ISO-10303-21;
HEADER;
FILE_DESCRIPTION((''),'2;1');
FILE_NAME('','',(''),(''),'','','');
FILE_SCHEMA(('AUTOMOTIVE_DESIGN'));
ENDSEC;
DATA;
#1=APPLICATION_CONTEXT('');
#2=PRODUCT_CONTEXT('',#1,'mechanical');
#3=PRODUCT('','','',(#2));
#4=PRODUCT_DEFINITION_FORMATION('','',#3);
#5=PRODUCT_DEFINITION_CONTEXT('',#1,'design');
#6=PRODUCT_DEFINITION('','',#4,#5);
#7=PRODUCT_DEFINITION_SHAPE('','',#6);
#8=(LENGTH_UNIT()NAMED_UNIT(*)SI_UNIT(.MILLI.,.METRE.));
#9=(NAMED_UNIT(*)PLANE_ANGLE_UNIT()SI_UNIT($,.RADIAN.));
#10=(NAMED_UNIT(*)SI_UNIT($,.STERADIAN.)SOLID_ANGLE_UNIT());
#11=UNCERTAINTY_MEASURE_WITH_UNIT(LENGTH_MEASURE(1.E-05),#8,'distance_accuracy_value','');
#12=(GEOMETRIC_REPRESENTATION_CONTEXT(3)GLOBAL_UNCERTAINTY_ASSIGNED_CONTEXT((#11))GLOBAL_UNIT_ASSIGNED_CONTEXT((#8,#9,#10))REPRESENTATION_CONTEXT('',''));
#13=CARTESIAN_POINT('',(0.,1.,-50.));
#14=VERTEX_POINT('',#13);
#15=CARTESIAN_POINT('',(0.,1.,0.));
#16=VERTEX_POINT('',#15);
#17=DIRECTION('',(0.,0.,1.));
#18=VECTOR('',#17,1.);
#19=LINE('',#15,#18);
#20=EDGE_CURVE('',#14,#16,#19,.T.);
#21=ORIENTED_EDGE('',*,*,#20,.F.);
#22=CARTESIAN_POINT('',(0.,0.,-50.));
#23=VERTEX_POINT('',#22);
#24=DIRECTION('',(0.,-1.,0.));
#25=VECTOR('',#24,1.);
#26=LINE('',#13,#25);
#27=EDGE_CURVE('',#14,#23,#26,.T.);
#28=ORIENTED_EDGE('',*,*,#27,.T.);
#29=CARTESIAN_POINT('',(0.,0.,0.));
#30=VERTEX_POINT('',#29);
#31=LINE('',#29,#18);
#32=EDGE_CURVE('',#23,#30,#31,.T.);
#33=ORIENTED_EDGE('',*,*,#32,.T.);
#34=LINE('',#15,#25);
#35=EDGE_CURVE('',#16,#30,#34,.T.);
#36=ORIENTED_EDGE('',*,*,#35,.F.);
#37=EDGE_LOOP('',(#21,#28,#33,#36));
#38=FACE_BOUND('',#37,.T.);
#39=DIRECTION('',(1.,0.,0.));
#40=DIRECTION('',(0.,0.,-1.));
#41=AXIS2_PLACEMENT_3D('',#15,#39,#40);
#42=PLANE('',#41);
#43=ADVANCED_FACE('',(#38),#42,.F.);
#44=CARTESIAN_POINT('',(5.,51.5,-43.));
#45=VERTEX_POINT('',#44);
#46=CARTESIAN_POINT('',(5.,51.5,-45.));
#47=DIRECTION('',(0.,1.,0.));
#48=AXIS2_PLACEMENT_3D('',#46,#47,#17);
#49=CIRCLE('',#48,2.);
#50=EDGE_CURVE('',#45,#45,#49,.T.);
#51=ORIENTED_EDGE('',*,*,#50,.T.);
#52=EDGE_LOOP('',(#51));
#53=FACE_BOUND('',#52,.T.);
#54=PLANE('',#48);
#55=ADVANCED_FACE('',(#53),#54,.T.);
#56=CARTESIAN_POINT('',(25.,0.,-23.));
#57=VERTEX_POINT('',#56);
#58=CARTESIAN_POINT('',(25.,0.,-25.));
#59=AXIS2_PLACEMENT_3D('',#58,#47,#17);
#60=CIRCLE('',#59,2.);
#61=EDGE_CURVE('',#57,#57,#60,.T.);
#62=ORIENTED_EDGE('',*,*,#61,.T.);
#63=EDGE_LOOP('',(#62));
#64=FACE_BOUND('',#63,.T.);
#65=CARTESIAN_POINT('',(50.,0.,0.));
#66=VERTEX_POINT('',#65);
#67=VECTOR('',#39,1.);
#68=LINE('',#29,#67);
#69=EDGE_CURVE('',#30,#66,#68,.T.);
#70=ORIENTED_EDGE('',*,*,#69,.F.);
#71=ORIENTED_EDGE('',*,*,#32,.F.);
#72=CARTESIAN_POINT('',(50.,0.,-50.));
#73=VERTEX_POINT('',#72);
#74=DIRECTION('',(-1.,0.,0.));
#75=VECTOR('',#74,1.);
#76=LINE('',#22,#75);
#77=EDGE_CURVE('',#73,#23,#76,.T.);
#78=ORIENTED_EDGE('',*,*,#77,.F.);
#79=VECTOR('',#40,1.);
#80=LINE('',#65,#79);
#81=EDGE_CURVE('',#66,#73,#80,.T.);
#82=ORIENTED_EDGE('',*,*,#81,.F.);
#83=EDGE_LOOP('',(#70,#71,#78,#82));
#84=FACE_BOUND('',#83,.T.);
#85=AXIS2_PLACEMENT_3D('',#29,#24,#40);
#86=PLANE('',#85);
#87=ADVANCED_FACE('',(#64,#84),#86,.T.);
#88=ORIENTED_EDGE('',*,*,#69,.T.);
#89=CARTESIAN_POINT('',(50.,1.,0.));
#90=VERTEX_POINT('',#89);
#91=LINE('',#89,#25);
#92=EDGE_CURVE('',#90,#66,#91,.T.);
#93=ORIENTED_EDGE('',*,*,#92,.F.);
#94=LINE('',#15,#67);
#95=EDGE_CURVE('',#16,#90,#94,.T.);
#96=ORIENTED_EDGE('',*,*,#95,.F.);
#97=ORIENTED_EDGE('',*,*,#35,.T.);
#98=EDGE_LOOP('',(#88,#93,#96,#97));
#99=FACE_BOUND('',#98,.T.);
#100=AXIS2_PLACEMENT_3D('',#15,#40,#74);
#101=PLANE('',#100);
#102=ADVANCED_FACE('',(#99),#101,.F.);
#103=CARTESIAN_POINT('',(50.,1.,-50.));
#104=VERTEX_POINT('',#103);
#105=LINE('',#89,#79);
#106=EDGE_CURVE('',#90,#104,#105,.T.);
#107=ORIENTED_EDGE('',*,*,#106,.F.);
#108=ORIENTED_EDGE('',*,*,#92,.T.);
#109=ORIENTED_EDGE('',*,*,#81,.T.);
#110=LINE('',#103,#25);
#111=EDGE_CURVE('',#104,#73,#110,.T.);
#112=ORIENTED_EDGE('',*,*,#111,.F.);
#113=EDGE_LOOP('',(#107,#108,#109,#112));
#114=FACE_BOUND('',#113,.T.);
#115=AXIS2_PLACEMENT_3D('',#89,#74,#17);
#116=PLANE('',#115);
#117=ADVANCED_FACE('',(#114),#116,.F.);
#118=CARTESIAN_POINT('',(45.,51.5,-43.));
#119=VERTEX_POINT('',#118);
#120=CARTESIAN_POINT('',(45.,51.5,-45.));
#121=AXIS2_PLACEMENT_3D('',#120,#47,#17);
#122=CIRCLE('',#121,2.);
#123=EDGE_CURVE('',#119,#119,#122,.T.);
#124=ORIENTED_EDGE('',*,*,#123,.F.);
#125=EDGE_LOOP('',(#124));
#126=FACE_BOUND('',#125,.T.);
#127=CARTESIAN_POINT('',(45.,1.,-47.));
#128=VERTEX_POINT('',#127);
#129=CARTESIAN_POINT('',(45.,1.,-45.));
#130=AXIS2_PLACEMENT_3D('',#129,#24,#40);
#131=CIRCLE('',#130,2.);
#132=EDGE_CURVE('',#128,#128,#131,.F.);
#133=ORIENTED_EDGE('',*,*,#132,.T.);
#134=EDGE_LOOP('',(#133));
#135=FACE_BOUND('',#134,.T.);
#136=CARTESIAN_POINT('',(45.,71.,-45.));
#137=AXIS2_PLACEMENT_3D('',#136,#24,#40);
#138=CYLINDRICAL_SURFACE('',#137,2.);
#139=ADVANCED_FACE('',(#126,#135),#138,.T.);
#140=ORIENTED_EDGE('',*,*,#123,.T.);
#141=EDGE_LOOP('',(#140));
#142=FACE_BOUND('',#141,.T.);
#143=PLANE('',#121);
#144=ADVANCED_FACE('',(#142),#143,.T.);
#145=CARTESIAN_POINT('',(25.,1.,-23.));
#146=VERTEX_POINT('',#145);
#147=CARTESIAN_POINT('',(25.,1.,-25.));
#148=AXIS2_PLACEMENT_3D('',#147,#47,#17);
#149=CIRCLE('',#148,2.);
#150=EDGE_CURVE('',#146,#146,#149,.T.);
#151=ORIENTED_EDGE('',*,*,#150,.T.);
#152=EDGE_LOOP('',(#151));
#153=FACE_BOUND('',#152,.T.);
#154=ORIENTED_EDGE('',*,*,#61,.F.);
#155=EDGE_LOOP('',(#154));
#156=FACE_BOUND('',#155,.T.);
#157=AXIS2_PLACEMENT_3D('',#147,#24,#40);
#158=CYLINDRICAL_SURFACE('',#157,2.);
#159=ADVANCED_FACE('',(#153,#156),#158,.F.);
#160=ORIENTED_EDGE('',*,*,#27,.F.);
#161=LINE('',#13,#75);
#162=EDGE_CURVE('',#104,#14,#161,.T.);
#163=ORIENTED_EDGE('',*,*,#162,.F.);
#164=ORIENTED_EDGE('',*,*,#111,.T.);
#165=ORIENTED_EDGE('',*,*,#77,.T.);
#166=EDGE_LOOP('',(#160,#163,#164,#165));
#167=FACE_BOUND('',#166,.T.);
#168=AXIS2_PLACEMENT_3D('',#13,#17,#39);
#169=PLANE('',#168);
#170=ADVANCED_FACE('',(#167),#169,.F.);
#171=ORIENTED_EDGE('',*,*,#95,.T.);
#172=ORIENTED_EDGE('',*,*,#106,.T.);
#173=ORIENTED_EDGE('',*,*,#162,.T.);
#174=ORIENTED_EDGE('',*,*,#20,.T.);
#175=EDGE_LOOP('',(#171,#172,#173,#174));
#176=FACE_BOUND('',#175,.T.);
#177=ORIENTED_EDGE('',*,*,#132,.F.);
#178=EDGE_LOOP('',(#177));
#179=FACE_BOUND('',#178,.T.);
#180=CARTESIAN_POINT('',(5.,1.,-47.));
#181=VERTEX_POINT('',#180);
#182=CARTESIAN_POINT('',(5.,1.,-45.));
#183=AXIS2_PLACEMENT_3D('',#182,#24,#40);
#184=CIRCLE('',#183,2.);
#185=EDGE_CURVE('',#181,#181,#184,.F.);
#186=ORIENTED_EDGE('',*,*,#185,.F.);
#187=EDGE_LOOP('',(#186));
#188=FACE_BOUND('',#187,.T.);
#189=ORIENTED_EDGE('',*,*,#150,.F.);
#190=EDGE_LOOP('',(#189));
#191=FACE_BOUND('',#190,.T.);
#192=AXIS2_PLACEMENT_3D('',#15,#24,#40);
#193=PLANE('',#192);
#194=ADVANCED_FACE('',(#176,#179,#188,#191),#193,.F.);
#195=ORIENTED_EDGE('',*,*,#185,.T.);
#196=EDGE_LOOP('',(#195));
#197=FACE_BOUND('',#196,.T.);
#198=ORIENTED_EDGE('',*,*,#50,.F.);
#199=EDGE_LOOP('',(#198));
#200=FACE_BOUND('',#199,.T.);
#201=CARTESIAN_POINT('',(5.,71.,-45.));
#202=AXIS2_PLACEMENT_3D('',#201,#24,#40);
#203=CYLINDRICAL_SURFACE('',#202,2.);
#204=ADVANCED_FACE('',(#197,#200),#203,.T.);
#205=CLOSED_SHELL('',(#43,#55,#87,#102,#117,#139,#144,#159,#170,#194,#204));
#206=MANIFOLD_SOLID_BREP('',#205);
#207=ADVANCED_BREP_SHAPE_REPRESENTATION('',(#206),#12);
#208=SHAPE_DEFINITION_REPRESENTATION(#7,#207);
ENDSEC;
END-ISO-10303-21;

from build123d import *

# Parameters (mm, degrees)
SKETCH1_W           = 50
SKETCH1_H           = 50
SKETCH1_R           = 2
BOSS_EXTRUDE1_DEPTH = 1
SKETCH2_R           = 2
BOSS_EXTRUDE2_DEPTH = 70
CUT_EXTRUDE1_START  = -9.5
SKETCH7_R           = 2
CUT_EXTRUDE1_DEPTH  = 9.5
CUT_EXTRUDE2_START  = -10
SKETCH9_R           = 2
CUT_EXTRUDE2_DEPTH  = 10


with BuildPart() as part:
    # Sketch1 → Boss-Extrude1 (new body)
    with BuildSketch(Plane(origin=(0, 0, 0), x_dir=(1, 0, 0), z_dir=(0, 1, 0))):
        with Locations((25, 25)):
            Rectangle(SKETCH1_W, SKETCH1_H)
        with Locations(Location((25, 25, 0), (0, 0, 270))):
            Circle(SKETCH1_R, mode=Mode.SUBTRACT)
    extrude(amount=BOSS_EXTRUDE1_DEPTH)

    # Sketch2 → Boss-Extrude2 (add)
    with BuildSketch(Plane(origin=(0, 1, 0), x_dir=(1, 0, 0), z_dir=(0, 1, 0))):
        with Locations(Location((5, 45, 0), (0, 0, 90))):
            Circle(SKETCH2_R)
        with Locations(Location((45, 45, 0), (0, 0, 90))):
            Circle(SKETCH2_R)
    extrude(amount=BOSS_EXTRUDE2_DEPTH)

    # Sketch7 → Cut-Extrude1 (cut)
    with BuildSketch(Plane(origin=(0, 71, 0), x_dir=(1, 0, 0), z_dir=(0, 1, 0)).offset(CUT_EXTRUDE1_START)):
        with Locations(Location((5, 45, 0), (0, 0, 90))):
            Circle(SKETCH7_R)
        with Locations(Location((45, 45, 0), (0, 0, 90))):
            Circle(SKETCH7_R)
    extrude(amount=CUT_EXTRUDE1_DEPTH, mode=Mode.SUBTRACT)

    # Sketch9 → Cut-Extrude2 (cut)
    with BuildSketch(Plane(origin=(0, 61.5, 0), x_dir=(1, 0, 0), z_dir=(0, 1, 0)).offset(CUT_EXTRUDE2_START)):
        with Locations(Location((5, 45, 0), (0, 0, 90))):
            Circle(SKETCH9_R)
        with Locations(Location((45, 45, 0), (0, 0, 90))):
            Circle(SKETCH9_R)
    extrude(amount=CUT_EXTRUDE2_DEPTH, mode=Mode.SUBTRACT)


solid = part.part
